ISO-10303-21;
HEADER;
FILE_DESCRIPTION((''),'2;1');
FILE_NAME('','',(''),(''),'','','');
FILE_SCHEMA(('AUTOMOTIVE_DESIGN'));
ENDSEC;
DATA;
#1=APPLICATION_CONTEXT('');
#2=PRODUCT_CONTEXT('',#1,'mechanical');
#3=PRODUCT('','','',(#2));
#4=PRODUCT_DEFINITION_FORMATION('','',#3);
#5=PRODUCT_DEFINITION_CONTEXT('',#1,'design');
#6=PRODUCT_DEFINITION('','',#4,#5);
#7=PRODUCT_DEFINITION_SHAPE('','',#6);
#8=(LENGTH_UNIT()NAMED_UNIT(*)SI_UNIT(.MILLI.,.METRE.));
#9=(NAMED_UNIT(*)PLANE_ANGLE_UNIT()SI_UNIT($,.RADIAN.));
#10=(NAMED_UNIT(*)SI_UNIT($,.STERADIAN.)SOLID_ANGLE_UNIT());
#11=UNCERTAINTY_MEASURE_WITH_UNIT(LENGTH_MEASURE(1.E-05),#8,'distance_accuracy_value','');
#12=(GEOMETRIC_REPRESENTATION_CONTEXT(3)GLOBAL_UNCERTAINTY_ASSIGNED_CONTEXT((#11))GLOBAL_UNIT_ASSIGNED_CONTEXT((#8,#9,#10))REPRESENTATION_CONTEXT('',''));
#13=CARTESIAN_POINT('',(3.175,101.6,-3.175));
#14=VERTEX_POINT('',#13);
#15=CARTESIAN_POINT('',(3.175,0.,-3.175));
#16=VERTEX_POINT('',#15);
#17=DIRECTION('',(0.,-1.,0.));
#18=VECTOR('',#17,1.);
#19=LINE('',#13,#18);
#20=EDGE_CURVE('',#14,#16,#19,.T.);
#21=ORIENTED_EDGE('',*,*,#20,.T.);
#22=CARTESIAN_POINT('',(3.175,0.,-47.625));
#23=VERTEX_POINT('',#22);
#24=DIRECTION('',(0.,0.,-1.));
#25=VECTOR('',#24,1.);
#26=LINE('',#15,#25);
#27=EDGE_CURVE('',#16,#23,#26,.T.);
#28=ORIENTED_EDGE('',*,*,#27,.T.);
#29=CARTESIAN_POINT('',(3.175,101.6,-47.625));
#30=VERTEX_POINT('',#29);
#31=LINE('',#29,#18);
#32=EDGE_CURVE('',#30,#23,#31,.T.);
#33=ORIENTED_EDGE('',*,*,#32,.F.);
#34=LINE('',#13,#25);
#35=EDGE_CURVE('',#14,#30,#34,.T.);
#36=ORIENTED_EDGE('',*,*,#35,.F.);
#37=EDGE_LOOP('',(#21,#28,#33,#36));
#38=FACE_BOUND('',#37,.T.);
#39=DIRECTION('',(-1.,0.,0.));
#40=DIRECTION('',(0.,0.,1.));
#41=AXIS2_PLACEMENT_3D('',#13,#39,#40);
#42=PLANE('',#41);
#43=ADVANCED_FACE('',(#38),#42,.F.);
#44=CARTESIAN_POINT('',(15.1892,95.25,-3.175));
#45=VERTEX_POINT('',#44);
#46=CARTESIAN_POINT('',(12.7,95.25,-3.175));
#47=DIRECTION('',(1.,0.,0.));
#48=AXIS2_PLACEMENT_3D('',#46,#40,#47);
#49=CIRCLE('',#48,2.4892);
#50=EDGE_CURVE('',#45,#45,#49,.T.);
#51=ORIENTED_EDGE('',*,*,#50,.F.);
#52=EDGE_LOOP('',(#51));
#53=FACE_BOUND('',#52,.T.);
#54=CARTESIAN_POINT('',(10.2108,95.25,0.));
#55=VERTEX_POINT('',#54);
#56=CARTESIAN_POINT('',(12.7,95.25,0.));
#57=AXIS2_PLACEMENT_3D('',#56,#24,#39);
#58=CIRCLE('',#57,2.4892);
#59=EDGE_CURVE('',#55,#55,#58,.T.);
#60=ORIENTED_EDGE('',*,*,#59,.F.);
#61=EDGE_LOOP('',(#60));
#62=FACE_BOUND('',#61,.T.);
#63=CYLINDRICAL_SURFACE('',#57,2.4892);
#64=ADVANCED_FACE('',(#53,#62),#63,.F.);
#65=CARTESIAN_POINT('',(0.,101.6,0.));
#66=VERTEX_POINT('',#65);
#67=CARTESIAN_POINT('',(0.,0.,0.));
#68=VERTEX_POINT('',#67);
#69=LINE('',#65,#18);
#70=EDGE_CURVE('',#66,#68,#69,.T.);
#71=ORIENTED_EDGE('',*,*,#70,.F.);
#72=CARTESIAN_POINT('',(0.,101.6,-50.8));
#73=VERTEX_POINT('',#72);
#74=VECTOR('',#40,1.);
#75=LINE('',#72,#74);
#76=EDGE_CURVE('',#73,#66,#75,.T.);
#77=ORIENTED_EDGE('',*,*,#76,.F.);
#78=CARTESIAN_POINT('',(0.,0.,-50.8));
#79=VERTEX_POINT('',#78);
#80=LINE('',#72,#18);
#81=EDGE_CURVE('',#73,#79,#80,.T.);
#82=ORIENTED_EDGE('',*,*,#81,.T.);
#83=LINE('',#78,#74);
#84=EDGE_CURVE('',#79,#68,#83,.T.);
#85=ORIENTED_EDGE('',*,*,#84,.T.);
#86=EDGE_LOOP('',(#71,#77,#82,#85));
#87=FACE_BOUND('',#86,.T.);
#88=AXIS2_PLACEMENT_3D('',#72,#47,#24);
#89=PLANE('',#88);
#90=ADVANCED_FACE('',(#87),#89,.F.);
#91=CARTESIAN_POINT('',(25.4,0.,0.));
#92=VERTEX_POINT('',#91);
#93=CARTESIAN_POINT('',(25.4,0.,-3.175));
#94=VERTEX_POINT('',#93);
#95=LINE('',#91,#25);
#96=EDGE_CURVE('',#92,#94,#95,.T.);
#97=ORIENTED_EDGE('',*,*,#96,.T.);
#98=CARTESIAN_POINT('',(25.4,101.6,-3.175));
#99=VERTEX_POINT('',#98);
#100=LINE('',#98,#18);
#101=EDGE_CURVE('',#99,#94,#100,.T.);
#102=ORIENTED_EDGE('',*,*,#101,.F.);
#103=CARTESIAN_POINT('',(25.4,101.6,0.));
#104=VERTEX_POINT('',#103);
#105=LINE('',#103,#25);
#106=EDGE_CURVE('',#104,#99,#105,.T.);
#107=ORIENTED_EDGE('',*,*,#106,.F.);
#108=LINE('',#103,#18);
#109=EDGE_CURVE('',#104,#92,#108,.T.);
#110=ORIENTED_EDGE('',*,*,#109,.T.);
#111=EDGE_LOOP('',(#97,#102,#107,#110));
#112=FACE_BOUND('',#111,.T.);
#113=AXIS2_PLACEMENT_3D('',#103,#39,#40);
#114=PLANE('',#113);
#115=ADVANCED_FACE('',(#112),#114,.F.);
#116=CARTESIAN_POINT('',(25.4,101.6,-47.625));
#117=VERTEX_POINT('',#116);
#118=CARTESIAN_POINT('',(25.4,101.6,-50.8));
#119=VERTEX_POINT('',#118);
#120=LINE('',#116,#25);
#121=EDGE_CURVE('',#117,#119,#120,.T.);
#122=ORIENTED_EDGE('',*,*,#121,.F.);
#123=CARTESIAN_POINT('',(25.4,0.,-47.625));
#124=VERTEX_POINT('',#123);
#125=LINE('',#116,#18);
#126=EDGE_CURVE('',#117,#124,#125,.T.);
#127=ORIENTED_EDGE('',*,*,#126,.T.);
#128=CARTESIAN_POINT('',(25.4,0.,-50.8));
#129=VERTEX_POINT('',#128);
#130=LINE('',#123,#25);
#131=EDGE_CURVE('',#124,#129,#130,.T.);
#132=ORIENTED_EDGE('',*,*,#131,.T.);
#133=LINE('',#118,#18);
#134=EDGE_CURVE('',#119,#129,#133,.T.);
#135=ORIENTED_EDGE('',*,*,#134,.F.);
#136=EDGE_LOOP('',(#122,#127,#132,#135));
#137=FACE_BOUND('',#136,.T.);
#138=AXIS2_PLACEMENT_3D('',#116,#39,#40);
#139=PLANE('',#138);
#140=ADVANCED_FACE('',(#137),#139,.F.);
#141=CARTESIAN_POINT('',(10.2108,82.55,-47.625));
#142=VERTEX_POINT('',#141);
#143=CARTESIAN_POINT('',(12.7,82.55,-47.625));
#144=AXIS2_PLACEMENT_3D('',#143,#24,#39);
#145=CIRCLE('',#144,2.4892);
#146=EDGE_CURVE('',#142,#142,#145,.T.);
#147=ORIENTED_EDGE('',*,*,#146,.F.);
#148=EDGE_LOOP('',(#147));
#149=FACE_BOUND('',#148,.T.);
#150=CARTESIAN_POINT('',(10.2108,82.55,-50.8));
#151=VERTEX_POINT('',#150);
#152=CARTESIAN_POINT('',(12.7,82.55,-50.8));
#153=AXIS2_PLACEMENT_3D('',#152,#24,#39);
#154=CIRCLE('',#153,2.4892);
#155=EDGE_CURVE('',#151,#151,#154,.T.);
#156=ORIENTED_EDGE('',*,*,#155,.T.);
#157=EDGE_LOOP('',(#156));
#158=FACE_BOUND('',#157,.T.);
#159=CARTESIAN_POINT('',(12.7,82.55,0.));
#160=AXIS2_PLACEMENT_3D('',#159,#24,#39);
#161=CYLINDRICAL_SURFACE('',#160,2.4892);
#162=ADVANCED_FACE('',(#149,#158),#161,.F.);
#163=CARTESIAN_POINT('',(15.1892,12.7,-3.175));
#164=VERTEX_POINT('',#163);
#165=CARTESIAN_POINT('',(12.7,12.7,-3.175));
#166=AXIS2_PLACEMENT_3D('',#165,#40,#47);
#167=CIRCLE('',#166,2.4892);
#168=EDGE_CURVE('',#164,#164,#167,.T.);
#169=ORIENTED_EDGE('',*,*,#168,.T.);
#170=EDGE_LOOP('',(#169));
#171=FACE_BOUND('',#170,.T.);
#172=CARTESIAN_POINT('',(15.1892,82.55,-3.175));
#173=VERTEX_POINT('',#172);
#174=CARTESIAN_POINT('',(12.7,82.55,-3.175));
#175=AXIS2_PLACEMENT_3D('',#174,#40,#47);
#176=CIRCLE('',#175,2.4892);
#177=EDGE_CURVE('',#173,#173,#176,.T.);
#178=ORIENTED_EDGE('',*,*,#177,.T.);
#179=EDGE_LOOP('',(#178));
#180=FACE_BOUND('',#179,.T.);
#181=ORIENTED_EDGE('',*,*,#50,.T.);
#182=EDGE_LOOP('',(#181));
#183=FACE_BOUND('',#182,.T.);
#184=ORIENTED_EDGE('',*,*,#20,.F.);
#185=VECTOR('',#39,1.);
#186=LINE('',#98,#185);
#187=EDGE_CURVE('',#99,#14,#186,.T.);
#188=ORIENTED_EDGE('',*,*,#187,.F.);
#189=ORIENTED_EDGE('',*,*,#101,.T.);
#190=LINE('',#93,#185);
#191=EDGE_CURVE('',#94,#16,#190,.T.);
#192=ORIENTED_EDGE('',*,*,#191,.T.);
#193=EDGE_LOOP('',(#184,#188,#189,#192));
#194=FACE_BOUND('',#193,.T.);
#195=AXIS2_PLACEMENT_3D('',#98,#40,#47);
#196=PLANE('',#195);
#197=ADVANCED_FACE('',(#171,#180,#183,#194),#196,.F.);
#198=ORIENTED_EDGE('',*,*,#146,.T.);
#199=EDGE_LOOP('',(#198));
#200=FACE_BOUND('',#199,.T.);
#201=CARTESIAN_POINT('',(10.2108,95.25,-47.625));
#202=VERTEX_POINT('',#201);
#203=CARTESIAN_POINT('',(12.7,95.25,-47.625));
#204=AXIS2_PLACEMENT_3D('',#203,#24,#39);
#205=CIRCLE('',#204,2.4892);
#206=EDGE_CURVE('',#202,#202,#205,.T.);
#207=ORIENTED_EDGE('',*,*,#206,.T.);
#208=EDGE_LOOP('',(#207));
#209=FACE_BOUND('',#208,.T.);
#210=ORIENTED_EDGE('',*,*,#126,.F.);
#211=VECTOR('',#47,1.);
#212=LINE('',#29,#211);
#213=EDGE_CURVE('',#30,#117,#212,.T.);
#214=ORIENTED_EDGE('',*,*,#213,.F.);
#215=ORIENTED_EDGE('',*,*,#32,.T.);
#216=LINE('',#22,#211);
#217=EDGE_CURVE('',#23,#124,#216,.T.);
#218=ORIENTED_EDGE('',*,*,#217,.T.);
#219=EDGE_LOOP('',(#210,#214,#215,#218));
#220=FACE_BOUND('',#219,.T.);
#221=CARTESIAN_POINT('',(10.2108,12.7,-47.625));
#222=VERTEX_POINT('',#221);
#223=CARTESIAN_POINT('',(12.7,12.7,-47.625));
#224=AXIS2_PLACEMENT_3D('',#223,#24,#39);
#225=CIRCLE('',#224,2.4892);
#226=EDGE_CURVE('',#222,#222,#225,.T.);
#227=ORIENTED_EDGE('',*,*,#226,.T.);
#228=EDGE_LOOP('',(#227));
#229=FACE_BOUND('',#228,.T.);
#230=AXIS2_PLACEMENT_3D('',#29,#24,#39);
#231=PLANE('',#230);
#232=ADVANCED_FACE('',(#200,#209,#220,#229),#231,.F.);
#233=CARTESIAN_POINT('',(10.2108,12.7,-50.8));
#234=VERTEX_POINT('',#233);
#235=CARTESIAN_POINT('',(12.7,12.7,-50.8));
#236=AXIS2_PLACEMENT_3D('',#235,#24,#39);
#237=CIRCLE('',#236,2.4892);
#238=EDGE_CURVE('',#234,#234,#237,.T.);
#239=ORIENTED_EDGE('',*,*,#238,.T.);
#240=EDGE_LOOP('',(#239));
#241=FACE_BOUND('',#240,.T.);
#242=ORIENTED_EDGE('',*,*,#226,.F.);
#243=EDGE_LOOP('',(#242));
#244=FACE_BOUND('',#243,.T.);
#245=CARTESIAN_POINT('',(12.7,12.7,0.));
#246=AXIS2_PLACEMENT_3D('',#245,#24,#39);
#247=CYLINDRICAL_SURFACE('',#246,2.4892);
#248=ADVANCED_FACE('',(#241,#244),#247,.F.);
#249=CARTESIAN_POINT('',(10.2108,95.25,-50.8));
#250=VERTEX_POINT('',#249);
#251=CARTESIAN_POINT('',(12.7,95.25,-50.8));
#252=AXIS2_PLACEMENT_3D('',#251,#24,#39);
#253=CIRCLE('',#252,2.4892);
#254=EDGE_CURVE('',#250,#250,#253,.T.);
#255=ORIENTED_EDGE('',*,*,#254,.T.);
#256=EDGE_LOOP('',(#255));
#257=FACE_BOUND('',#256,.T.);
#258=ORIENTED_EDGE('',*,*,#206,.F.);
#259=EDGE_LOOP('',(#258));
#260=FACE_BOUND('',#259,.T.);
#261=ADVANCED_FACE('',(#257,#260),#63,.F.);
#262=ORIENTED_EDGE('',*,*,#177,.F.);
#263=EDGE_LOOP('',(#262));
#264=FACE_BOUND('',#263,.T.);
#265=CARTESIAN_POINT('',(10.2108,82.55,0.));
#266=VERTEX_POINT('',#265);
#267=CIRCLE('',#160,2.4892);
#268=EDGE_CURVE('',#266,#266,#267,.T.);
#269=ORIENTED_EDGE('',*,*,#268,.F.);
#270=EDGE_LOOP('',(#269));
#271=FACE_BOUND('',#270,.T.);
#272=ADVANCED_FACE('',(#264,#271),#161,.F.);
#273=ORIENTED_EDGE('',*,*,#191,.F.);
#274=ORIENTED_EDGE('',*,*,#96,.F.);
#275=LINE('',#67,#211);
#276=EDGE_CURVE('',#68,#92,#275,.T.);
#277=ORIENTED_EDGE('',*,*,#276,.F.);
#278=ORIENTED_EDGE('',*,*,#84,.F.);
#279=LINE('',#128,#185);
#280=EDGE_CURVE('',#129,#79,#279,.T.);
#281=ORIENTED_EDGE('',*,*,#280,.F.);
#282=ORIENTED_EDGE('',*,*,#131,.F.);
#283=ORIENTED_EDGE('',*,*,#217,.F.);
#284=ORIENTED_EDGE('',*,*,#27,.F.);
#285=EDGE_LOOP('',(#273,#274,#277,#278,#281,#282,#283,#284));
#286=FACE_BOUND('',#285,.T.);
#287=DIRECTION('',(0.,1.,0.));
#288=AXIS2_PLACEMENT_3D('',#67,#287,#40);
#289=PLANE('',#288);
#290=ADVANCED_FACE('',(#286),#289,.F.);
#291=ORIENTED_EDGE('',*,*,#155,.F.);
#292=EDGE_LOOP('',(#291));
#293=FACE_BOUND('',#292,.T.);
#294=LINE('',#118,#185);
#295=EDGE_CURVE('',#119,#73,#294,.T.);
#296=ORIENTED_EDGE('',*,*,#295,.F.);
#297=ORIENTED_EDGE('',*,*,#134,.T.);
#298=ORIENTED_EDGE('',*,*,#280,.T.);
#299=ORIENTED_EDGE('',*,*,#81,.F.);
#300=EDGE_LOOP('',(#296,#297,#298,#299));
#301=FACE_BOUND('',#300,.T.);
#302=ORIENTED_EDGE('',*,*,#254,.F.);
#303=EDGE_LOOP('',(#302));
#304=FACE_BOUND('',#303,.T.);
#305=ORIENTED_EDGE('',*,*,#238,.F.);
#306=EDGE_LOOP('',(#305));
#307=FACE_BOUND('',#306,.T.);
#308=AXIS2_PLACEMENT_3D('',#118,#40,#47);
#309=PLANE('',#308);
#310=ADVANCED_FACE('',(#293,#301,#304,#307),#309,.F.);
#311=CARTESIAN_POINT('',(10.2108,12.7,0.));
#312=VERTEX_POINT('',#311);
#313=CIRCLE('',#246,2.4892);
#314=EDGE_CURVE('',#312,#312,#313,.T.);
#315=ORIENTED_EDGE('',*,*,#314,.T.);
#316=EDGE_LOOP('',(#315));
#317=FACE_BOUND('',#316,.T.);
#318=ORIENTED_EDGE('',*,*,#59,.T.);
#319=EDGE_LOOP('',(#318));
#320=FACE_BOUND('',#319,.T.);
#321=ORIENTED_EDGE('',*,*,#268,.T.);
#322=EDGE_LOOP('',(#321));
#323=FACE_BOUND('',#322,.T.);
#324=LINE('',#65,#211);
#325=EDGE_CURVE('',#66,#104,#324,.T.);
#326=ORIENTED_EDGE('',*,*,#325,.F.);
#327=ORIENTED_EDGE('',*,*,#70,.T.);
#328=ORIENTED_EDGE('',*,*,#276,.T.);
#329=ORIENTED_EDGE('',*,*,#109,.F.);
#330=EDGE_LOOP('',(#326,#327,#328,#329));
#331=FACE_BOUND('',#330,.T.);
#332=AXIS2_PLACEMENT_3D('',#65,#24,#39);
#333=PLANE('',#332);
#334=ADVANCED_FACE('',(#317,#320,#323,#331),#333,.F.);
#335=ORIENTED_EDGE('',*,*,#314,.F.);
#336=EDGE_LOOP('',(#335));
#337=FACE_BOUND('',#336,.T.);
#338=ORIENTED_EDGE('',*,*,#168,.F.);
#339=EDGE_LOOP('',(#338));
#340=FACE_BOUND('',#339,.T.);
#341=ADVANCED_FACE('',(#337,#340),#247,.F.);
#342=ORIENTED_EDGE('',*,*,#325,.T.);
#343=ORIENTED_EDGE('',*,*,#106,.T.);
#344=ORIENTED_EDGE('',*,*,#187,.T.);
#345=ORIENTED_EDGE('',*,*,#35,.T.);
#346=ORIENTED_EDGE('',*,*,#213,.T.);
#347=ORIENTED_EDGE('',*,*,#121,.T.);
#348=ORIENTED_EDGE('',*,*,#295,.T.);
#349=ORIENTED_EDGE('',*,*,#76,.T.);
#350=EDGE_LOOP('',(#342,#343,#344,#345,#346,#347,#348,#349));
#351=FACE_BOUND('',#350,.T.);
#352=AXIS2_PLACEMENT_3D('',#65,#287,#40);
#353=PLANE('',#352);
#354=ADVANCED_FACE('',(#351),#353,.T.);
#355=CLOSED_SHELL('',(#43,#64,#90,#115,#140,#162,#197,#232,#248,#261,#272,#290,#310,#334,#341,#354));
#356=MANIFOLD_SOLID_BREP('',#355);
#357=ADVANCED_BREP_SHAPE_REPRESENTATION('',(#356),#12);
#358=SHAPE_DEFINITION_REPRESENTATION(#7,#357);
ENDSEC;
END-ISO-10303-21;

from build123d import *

# Parameters (mm, degrees)
BOSS_EXTRUDE1_DEPTH = 101.6
SKETCH2_R           = 2.4892
CUT_EXTRUDE1_DEPTH  = 51.8


with BuildPart() as part:
    # Sketch1 → Boss-Extrude1 (new body)
    with BuildSketch(Plane(origin=(0, 0, 0), x_dir=(1, 0, 0), z_dir=(0, 1, 0))):
        Polygon((0, 0), (25.4, 0), (25.4, 3.175), (3.175, 3.175), (3.175, 47.625), (25.4, 47.625), (25.4, 50.8), (0, 50.8), align=None)
    extrude(amount=BOSS_EXTRUDE1_DEPTH)

    # Sketch2 → Cut-Extrude1 (cut, through all)
    with BuildSketch(Plane(origin=(0, 0, -50.8), x_dir=(-1, 0, 0), z_dir=(0, 0, -1))):
        with Locations((-12.7, 12.7)):
            Circle(SKETCH2_R)
        with Locations((-12.7, 95.25)):
            Circle(SKETCH2_R)
        with Locations((-12.7, 82.55)):
            Circle(SKETCH2_R)
    extrude(amount=-CUT_EXTRUDE1_DEPTH, mode=Mode.SUBTRACT)


solid = part.part
